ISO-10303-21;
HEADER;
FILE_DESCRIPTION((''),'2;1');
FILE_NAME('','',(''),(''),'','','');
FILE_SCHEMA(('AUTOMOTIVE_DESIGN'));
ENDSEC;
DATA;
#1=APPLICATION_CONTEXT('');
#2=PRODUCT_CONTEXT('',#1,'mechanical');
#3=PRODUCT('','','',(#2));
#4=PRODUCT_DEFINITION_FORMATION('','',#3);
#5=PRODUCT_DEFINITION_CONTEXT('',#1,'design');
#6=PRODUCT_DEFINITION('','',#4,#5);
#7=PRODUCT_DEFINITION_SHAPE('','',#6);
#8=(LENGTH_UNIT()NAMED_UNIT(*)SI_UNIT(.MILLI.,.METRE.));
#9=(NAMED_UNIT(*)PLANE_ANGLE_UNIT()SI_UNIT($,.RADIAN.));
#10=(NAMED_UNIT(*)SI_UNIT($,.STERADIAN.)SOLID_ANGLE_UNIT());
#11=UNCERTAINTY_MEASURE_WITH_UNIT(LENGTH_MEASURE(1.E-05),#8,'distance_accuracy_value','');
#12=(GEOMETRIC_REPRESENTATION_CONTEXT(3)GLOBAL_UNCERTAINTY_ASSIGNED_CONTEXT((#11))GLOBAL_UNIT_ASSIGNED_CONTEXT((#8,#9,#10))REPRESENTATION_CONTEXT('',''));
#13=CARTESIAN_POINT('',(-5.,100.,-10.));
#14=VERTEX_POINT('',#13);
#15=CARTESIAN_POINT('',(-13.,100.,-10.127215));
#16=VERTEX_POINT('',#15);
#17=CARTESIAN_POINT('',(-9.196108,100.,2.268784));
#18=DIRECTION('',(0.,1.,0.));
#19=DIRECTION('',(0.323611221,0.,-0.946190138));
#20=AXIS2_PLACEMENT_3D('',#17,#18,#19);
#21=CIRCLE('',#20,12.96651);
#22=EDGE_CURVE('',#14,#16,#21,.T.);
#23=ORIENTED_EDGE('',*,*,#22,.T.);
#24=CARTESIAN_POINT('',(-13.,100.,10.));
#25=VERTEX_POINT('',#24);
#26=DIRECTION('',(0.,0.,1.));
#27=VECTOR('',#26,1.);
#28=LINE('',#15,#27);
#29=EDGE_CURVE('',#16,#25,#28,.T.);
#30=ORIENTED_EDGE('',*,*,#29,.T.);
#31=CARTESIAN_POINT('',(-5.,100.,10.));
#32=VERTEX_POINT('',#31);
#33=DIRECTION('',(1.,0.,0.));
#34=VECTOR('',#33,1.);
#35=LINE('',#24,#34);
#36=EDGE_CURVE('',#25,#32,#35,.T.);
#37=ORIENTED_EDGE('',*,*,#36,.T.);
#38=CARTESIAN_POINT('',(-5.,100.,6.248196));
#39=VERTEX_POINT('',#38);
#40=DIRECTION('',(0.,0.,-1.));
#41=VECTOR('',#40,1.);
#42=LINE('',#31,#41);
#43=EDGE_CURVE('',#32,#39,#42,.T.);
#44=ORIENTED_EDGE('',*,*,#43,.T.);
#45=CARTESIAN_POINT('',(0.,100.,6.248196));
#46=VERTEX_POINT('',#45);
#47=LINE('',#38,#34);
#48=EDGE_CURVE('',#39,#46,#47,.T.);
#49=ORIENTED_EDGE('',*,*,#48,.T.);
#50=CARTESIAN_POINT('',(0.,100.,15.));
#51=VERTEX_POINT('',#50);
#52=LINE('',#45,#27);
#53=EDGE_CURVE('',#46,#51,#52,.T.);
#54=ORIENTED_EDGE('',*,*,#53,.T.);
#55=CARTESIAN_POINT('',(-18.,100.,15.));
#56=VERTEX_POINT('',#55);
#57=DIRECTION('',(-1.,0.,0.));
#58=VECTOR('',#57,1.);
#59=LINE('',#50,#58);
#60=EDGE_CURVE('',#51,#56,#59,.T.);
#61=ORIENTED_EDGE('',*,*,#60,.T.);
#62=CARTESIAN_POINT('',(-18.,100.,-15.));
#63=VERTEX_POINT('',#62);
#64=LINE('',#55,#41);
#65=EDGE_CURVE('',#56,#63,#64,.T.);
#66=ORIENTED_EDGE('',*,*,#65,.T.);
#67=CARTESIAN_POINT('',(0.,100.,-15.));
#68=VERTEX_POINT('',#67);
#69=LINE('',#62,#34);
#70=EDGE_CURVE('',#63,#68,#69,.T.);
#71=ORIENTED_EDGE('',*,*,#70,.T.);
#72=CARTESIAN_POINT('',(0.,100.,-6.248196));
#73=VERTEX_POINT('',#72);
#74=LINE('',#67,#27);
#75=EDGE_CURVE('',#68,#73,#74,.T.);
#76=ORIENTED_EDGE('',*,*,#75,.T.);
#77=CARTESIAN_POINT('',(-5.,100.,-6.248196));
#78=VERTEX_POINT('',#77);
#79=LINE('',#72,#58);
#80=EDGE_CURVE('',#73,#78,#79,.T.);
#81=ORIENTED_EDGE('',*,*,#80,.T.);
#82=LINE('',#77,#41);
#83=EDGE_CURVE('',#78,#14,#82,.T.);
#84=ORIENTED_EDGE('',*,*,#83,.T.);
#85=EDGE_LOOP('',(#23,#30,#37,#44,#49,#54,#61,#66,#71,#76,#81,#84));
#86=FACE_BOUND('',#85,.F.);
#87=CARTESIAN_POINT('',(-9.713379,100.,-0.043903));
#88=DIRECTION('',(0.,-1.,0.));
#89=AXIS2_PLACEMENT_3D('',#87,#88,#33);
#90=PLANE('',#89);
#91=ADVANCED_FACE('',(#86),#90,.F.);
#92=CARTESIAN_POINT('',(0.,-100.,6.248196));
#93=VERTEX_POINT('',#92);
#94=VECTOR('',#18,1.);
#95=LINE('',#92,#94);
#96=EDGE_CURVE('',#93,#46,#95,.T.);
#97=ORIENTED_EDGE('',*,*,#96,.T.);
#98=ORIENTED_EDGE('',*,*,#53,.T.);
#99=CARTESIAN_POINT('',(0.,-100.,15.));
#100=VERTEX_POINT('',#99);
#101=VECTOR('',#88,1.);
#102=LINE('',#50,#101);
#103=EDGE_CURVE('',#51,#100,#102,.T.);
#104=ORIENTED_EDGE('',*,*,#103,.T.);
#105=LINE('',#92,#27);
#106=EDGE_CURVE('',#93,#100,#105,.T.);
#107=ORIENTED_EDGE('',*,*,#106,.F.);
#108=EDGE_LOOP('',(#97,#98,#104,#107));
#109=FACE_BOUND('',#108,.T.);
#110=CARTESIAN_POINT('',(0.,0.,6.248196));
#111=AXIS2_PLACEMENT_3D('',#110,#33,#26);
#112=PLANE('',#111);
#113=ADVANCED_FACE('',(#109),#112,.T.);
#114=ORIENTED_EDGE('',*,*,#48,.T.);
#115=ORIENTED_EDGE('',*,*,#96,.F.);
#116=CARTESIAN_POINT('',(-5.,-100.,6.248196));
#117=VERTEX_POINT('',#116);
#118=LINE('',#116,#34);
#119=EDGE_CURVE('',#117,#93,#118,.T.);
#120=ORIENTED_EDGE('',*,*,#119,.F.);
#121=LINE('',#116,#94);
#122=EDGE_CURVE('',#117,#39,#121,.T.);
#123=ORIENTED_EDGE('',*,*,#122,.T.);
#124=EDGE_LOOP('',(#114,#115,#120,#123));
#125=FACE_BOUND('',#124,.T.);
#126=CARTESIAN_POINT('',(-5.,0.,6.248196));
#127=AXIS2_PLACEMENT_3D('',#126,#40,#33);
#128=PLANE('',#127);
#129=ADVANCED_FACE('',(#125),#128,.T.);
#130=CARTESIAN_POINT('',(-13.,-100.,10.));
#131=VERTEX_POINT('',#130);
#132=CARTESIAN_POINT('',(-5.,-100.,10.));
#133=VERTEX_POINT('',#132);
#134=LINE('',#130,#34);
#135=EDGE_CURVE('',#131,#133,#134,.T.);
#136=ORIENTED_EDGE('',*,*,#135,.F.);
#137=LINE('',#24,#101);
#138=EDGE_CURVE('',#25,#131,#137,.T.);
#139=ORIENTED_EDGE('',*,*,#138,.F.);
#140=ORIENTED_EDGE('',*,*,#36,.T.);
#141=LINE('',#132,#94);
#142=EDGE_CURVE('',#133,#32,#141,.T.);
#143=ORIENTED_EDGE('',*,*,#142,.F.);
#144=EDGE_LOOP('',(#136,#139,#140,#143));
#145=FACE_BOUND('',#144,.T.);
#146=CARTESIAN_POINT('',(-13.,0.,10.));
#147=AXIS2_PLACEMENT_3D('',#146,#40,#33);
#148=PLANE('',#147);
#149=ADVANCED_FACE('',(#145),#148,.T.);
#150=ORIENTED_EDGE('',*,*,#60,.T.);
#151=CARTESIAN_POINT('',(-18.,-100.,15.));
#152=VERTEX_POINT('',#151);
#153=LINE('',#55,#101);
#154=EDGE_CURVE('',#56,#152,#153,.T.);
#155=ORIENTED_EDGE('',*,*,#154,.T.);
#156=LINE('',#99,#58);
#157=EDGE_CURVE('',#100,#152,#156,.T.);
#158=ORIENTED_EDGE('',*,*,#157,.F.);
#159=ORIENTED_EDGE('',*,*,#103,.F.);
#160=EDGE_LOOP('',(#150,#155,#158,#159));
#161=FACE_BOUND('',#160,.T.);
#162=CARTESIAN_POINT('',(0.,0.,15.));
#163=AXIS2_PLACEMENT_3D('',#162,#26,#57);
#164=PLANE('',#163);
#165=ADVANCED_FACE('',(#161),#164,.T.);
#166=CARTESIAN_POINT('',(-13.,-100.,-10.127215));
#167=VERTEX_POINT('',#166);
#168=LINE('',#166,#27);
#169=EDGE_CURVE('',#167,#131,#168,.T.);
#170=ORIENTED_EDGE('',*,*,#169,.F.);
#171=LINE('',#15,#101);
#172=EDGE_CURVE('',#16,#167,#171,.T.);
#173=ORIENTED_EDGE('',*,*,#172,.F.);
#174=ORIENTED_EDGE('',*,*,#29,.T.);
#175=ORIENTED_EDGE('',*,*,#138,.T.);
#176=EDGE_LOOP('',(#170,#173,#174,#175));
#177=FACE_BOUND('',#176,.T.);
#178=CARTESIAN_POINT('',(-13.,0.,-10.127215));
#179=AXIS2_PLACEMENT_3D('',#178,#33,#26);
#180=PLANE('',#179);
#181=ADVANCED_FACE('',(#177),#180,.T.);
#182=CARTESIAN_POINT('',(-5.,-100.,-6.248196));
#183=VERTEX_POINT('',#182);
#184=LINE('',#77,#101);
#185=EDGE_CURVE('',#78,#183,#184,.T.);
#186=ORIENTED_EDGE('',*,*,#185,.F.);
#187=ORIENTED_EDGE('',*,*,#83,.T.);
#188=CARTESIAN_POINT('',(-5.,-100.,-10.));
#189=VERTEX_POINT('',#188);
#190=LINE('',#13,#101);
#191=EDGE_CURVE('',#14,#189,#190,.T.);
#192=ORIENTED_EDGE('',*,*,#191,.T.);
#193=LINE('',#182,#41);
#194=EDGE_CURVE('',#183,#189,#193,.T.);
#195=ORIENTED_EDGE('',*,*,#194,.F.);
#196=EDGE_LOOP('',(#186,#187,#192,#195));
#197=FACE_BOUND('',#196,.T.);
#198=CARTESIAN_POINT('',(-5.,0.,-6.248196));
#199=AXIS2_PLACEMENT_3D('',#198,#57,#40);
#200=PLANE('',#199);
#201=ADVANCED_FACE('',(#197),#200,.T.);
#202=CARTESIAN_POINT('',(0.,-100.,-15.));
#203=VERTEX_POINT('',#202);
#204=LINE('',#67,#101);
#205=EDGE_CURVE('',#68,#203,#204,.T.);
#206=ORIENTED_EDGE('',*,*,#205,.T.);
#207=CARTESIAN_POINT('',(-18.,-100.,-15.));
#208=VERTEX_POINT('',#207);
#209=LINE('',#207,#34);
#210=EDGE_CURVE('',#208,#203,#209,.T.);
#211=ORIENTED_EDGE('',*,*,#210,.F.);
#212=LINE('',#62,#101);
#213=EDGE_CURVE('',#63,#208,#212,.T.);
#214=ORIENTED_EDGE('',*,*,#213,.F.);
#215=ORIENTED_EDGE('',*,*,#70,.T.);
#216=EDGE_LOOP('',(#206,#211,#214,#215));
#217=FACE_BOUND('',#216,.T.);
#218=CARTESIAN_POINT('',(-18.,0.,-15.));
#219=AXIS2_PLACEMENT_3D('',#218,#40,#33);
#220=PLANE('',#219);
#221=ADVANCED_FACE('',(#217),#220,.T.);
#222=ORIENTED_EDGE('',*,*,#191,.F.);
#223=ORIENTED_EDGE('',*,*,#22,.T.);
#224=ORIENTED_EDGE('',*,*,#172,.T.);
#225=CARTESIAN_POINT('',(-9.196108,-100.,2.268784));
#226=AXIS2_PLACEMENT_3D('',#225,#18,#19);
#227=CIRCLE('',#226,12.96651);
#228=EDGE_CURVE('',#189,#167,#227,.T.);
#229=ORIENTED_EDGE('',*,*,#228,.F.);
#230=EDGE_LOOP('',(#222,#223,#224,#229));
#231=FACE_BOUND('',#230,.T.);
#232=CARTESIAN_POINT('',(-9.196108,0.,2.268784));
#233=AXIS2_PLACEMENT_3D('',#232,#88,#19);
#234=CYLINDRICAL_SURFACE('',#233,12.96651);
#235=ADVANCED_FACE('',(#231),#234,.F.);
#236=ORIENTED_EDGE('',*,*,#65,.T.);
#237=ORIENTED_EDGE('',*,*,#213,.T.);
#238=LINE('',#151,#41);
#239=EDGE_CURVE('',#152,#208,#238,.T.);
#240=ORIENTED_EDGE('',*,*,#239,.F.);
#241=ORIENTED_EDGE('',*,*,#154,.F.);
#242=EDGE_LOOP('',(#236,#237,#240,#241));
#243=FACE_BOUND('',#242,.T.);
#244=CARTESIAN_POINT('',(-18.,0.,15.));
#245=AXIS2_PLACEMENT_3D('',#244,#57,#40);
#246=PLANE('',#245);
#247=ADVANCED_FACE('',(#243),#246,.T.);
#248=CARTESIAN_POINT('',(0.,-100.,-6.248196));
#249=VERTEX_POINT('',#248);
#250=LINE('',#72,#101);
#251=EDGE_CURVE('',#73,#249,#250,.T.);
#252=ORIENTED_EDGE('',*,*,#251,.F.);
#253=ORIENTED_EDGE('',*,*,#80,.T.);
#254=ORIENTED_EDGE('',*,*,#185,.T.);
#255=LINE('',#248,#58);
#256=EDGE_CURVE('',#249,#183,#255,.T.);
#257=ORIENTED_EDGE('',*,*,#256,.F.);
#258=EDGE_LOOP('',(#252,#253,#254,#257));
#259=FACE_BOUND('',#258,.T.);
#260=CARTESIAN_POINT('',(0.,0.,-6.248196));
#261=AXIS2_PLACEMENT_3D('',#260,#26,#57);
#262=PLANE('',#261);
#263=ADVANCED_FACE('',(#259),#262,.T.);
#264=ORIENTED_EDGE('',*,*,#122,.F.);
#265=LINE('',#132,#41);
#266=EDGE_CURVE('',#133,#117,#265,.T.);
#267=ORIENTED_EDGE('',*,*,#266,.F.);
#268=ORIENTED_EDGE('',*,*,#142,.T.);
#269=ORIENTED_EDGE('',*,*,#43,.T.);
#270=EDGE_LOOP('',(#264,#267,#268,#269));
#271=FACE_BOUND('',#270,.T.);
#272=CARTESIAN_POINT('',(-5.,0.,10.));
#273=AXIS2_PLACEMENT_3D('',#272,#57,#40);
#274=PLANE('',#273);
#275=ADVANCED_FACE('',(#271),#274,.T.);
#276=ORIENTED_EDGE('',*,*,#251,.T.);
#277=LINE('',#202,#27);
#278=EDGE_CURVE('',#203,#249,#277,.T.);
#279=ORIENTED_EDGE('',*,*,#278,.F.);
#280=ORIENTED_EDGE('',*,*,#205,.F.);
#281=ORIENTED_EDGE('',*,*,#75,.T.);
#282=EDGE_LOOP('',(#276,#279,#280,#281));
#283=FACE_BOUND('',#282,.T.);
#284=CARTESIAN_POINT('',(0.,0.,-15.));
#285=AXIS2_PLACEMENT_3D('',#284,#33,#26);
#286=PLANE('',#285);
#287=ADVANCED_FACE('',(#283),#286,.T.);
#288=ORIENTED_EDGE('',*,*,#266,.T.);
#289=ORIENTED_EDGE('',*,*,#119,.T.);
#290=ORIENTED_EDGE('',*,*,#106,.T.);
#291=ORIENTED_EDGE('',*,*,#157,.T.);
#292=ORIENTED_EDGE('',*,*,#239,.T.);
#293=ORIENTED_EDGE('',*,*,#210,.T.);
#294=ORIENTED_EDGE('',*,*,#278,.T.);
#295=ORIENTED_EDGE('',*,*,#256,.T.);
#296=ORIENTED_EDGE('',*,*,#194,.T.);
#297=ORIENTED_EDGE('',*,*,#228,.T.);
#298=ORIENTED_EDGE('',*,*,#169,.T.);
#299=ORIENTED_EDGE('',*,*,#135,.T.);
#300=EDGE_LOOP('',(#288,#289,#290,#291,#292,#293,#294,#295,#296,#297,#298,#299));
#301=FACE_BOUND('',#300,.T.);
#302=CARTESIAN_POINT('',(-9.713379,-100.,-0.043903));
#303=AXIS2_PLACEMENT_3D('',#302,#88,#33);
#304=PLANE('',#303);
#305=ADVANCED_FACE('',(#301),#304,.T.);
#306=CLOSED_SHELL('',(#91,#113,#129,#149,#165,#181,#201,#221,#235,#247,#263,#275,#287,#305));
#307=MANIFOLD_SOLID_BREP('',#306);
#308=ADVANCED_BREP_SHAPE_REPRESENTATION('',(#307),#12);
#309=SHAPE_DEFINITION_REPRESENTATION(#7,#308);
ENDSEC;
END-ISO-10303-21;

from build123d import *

# Parameters (mm, degrees)
F1_DEPTH = 100


with BuildPart() as f1:
    # F0 (on Front) → F1 (new body, symmetric)
    with BuildSketch(Plane.XZ):
        with BuildLine():
            Line((0, 6.248196), (0, 15))
            Line((0, 15), (-18, 15))
            Line((-18, 15), (-18, -15))
            Line((-18, -15), (0, -15))
            Line((0, -15), (0, -6.248196))
            Line((0, -6.248196), (-5, -6.248196))
            Line((-5, -6.248196), (-5, -10))
            ThreePointArc((-5, -10), (-8.989942, -10.696087), (-13, -10.127215))
            Line((-13, -10.127215), (-13, 10))
            Line((-13, 10), (-5, 10))
            Line((-5, 10), (-5, 6.248196))
            Line((-5, 6.248196), (0, 6.248196))
        make_face()
    extrude(amount=F1_DEPTH, both=True)


solid = f1.part
